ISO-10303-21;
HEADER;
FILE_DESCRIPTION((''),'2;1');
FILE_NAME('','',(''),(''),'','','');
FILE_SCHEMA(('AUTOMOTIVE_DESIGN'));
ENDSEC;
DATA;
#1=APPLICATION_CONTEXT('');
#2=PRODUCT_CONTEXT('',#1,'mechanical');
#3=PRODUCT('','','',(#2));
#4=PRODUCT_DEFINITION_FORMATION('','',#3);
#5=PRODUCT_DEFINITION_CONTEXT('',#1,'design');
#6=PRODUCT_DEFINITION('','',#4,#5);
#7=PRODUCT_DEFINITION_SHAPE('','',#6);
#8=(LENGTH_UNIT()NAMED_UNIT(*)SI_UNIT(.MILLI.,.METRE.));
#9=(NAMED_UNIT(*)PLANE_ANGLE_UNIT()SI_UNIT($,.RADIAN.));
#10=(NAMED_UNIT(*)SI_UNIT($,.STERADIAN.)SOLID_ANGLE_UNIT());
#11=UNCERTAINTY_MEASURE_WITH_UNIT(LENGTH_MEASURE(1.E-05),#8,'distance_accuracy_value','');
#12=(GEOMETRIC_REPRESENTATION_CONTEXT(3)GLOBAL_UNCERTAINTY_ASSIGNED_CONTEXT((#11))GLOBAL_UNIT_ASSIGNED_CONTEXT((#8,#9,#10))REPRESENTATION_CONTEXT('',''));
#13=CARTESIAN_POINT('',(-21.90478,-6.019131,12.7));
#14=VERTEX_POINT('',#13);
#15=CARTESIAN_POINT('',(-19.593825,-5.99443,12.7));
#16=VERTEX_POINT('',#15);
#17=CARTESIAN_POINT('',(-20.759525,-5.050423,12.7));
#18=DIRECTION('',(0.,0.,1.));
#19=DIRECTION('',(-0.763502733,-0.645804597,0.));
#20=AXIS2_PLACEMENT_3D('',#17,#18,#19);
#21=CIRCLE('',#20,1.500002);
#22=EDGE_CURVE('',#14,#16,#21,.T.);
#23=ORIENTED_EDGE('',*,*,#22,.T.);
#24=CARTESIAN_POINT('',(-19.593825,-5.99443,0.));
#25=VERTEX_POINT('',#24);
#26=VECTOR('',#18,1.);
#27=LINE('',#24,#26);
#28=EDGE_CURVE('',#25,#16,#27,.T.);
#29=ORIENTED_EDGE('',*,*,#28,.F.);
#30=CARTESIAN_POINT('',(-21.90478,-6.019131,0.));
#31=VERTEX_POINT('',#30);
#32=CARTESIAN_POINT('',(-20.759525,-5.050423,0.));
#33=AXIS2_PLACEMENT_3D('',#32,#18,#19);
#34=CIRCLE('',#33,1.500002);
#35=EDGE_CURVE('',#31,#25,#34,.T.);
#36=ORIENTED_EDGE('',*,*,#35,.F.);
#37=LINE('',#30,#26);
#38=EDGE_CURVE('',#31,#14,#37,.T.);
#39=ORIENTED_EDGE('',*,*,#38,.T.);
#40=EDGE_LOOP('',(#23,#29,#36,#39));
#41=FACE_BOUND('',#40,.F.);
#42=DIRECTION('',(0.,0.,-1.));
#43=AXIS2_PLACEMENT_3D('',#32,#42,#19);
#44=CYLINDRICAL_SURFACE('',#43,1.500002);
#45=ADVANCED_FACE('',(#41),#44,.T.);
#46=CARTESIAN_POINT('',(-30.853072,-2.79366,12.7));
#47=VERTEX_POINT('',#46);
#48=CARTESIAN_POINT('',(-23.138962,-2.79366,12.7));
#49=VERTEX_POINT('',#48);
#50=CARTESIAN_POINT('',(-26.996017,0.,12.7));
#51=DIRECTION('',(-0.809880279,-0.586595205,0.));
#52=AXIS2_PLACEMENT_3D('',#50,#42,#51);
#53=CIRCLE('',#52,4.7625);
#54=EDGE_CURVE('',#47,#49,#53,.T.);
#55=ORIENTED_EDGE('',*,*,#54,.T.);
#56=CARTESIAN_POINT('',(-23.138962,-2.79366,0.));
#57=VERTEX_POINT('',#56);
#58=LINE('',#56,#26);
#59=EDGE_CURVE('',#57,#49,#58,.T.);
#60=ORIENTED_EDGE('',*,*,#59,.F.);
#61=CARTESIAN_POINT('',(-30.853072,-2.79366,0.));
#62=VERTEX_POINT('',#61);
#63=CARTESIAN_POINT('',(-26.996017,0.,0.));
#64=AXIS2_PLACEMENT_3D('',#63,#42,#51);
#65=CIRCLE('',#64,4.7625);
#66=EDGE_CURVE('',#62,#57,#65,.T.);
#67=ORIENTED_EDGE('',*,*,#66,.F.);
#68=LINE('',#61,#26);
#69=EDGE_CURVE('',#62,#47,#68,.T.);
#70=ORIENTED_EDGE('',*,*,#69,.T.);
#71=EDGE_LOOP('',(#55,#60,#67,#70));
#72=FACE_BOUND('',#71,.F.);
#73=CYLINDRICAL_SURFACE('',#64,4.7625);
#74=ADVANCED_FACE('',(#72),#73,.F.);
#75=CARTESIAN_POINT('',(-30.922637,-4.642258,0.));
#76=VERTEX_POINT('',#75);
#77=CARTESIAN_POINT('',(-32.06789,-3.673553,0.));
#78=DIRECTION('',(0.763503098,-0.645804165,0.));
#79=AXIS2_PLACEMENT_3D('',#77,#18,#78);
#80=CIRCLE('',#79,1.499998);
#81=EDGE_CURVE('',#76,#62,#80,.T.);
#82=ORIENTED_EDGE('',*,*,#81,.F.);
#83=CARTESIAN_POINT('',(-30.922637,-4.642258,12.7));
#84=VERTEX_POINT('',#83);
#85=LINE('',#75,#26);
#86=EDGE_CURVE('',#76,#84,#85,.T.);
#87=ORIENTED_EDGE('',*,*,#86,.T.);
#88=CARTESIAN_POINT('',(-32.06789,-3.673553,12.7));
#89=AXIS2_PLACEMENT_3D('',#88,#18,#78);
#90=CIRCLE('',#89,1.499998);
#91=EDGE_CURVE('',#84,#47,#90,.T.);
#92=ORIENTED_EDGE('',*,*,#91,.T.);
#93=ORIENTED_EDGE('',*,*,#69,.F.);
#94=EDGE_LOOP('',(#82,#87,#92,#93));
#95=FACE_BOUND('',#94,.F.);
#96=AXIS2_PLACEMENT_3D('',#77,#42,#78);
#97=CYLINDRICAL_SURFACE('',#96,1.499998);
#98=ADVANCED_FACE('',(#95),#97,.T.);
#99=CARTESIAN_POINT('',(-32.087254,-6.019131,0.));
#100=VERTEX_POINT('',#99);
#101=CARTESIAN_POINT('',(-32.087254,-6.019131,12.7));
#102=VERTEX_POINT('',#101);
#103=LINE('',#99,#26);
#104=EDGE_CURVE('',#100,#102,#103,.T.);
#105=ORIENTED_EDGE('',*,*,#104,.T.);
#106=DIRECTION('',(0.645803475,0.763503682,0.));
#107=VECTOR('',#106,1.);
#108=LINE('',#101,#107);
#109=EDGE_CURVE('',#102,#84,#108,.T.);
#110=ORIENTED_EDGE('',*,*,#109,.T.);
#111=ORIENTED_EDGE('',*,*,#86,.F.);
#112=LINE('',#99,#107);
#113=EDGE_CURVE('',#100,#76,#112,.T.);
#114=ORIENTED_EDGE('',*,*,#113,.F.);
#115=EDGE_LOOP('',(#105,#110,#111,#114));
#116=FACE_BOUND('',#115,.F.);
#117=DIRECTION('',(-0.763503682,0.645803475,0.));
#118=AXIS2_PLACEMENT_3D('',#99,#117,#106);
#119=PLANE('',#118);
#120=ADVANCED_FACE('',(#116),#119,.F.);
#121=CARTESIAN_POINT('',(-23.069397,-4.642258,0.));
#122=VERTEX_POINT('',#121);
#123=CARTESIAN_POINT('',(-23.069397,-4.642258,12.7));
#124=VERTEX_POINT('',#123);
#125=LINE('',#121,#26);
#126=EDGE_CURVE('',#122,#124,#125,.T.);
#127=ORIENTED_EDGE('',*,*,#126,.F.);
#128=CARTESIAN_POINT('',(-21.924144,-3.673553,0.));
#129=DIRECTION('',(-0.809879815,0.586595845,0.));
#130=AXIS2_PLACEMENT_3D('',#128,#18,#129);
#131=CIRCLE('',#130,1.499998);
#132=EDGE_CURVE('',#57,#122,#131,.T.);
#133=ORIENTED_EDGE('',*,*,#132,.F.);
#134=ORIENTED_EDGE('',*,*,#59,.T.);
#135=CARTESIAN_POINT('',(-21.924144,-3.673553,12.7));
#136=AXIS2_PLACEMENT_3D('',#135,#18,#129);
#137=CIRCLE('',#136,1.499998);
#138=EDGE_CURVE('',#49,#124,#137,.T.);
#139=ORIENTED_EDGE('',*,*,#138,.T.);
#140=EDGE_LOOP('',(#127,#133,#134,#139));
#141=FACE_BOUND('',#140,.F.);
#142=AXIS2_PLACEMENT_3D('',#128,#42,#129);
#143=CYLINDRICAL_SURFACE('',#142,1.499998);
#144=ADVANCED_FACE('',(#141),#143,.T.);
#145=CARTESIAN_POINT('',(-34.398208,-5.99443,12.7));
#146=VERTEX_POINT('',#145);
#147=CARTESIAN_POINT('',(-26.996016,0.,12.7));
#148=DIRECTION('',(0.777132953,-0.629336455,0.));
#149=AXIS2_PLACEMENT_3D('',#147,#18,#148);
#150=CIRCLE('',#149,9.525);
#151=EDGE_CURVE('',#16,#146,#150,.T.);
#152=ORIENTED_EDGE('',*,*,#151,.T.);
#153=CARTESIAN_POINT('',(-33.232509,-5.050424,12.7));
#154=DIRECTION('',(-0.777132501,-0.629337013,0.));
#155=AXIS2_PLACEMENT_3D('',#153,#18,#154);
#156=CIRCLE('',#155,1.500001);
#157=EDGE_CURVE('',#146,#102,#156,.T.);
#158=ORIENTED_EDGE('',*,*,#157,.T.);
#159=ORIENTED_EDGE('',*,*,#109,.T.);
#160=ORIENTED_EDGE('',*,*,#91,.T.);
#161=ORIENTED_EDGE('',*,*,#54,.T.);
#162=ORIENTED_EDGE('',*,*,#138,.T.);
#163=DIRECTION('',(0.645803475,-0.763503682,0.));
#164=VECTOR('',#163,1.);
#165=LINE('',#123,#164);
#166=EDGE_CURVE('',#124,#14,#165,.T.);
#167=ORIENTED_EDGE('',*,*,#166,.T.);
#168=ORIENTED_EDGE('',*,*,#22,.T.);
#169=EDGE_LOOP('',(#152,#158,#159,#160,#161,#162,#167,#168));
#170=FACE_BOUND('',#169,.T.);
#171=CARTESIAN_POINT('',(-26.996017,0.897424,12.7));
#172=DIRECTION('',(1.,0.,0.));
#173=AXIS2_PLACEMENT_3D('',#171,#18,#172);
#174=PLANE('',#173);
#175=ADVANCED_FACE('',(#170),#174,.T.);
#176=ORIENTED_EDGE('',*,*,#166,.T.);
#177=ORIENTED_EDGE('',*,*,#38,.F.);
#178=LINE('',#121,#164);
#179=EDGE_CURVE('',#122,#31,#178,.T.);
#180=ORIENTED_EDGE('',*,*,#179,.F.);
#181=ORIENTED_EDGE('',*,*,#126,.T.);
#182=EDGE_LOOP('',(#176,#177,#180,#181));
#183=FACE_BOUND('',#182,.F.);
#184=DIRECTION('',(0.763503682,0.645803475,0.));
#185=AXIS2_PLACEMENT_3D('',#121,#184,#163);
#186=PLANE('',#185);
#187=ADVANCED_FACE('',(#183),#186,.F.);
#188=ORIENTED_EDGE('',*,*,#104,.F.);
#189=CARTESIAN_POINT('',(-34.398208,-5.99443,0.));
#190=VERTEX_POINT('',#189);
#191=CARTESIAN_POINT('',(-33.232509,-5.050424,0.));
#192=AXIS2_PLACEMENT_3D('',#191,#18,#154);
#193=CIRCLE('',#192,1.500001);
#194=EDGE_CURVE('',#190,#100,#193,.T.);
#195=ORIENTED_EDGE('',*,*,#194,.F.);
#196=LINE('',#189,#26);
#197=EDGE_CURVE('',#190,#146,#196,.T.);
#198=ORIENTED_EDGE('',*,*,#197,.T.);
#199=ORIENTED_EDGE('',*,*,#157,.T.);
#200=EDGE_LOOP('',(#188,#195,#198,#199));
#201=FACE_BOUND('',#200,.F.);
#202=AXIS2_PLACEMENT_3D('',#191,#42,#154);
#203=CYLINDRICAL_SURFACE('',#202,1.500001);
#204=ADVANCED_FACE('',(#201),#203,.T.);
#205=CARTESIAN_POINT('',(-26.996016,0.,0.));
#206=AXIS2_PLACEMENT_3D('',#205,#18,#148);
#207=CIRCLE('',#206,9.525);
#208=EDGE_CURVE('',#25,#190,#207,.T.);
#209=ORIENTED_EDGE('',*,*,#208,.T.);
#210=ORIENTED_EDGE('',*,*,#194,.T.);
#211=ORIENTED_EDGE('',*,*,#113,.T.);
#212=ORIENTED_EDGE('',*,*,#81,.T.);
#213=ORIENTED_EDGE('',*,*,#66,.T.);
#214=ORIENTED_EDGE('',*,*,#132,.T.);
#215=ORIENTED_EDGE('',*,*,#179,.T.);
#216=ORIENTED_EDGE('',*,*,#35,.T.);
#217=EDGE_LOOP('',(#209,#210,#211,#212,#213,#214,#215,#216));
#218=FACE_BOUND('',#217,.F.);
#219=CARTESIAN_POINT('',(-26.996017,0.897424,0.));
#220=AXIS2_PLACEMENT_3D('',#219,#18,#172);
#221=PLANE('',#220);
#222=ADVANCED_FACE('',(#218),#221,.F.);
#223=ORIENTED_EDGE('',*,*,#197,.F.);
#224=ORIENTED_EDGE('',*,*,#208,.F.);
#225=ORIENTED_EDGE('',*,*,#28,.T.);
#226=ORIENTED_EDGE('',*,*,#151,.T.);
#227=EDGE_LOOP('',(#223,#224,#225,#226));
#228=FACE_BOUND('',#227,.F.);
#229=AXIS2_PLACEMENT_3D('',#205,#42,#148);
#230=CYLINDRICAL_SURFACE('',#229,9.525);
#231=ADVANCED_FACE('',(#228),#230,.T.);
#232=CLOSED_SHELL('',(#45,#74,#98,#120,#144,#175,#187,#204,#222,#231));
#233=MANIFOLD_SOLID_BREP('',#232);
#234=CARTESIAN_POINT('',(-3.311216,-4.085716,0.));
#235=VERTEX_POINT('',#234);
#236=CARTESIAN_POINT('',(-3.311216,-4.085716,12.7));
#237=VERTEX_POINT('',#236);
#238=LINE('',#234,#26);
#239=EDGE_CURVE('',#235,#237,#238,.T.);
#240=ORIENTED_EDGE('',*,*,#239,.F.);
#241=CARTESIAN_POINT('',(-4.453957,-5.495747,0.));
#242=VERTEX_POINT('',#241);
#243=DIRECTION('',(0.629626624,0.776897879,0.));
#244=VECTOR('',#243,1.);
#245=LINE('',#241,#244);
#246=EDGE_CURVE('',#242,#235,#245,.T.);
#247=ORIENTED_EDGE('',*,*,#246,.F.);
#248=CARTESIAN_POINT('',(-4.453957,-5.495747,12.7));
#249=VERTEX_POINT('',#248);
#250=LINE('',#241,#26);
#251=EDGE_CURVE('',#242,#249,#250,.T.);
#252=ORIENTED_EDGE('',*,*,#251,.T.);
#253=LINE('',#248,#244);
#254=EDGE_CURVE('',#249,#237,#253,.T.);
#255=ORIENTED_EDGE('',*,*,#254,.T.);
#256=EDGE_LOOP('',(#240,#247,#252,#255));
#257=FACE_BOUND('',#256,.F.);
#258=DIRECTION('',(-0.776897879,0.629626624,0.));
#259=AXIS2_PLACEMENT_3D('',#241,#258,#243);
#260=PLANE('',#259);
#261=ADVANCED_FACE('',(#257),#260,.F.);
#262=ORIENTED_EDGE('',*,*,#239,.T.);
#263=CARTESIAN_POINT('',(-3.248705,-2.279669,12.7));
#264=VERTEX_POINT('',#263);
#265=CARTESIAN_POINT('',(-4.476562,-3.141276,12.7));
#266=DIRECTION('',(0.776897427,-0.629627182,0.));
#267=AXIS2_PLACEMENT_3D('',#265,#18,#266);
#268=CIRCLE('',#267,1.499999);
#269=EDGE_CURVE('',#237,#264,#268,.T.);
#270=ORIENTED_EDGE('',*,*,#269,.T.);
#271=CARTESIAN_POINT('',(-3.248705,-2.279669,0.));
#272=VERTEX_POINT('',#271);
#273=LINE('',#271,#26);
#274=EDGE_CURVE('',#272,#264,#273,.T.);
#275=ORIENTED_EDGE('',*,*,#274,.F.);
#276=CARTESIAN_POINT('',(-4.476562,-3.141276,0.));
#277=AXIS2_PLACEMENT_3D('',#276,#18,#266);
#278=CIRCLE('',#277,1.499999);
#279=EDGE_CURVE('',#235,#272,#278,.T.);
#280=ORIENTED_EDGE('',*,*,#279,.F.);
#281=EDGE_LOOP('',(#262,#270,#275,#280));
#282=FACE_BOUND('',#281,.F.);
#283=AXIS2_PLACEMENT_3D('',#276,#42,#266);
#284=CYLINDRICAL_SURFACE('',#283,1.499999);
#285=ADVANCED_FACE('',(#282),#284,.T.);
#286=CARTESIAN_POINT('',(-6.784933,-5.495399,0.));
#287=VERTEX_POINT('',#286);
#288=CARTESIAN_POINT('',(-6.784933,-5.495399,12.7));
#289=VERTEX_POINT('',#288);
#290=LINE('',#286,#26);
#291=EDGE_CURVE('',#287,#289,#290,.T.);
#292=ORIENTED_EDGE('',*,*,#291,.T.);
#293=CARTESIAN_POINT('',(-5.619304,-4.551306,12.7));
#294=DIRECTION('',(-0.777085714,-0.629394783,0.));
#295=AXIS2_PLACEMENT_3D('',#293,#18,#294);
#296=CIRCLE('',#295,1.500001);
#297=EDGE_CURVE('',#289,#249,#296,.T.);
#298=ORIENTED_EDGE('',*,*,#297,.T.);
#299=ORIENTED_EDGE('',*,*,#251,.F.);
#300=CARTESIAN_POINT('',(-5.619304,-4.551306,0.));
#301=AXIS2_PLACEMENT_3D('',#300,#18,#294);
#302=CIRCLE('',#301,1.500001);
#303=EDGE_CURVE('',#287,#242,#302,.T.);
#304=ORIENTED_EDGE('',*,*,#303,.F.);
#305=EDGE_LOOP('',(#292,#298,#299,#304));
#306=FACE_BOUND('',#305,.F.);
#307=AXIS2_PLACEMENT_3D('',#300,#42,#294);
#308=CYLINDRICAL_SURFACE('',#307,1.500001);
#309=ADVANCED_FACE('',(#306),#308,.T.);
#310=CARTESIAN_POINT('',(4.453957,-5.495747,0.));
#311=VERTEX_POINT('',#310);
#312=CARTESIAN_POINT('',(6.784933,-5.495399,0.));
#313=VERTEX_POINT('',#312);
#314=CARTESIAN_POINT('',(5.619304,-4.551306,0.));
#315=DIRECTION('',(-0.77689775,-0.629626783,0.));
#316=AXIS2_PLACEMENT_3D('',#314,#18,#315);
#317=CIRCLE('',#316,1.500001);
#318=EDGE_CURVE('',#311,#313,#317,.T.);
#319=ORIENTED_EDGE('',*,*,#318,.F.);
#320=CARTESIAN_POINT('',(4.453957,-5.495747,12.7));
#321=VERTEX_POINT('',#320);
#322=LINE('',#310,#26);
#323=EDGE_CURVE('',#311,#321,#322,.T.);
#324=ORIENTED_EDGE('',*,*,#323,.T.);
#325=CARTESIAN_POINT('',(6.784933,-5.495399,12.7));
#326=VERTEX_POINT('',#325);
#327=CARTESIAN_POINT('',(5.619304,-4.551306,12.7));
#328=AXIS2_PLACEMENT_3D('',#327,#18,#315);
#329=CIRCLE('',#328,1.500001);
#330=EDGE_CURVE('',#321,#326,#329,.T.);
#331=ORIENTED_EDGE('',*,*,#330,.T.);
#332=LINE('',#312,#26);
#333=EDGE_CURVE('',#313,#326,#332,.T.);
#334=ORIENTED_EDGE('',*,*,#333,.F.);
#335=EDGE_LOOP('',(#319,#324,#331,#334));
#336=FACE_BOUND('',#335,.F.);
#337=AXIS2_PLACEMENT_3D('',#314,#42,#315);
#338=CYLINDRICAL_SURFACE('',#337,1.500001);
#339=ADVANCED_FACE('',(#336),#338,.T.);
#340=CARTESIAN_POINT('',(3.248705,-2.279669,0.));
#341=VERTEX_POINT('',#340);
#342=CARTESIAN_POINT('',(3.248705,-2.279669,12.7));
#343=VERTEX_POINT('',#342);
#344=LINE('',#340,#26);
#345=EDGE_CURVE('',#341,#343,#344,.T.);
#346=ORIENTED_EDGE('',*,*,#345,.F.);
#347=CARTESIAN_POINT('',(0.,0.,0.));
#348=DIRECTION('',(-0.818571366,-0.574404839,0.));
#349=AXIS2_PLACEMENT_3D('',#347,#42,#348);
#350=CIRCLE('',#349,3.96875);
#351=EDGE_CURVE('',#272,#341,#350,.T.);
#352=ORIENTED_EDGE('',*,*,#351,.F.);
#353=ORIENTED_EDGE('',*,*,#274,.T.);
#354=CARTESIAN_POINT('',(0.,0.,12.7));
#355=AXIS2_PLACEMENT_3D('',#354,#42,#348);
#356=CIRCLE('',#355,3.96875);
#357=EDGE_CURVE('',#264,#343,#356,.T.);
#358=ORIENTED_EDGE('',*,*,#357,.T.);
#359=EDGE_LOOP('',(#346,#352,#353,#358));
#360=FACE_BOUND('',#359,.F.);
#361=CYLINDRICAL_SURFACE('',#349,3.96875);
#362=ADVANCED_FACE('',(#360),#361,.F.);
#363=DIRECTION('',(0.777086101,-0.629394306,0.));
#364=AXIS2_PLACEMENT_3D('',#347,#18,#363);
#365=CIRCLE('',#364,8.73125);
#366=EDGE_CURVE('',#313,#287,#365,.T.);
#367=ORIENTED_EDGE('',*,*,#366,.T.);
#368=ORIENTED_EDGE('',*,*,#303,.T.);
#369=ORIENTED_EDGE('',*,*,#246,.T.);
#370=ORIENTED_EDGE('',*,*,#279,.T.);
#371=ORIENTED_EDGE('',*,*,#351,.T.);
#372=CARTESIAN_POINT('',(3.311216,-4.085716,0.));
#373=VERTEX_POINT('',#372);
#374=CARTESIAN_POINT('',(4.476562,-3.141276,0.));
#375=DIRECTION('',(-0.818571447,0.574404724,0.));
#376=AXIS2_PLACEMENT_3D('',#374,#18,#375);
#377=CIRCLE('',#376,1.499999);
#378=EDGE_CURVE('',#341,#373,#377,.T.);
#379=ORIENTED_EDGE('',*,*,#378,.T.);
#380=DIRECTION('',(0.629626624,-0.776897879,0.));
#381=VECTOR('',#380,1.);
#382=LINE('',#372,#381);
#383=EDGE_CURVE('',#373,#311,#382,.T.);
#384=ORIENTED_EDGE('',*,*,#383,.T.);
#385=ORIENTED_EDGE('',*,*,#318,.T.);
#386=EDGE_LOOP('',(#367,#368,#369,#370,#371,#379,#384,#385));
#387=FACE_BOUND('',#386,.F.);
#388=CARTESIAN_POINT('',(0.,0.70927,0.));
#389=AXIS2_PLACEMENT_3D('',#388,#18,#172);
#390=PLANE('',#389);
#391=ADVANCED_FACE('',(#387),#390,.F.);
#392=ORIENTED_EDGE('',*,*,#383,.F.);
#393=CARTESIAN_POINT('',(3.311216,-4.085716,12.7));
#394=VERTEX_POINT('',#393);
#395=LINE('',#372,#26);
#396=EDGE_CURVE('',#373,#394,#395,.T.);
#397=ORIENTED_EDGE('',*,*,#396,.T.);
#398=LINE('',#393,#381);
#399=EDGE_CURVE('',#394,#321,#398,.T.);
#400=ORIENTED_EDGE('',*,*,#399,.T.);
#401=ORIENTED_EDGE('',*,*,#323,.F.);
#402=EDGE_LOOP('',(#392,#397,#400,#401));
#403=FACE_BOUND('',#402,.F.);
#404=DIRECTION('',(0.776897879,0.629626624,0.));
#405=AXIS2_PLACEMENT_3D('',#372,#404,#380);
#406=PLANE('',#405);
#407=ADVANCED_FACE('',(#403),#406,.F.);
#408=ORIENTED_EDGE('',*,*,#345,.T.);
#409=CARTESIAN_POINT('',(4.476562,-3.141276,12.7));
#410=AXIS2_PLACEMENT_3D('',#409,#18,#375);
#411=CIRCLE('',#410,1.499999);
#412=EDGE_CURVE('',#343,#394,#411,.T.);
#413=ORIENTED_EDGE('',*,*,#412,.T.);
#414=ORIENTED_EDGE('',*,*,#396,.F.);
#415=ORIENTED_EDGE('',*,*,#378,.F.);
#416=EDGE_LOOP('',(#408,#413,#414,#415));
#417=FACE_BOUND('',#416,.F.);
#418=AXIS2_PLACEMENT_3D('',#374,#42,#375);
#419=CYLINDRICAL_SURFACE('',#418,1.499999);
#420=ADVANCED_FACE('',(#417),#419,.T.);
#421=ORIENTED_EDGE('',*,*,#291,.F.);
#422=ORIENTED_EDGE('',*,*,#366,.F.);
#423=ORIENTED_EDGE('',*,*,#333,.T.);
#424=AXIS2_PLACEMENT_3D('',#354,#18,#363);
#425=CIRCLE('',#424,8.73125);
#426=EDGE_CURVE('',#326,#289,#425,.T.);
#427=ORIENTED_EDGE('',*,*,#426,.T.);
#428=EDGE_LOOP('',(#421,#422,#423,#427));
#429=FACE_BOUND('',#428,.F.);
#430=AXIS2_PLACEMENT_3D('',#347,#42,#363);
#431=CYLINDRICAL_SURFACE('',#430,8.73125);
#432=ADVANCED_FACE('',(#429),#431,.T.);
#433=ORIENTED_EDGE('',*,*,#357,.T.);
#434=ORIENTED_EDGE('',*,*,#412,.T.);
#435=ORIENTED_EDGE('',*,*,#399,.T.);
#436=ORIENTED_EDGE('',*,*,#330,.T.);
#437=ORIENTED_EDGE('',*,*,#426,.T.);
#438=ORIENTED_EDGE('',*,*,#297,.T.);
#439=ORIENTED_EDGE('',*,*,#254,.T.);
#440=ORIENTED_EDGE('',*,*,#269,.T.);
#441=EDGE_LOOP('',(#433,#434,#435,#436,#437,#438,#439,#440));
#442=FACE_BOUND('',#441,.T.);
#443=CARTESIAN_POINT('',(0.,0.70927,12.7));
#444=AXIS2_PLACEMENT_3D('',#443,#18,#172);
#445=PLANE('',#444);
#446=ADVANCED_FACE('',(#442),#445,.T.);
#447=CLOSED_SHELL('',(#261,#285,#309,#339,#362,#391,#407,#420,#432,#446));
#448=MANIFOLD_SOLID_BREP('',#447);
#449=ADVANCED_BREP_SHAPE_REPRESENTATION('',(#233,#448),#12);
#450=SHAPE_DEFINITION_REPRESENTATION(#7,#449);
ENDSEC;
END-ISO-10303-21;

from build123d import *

# Parameters (mm, degrees)
F1_DEPTH = 12.7


with BuildPart() as f1:
    # F0 (on Top) → F1 (new body)
    with BuildSketch(Plane.XY):
        with BuildLine():
            ThreePointArc((-21.90478, -6.019131), (-20.743493, -6.550339), (-19.593825, -5.99443))
            ThreePointArc((-19.593825, -5.99443), (-26.996017, 9.525), (-34.398208, -5.99443))
            ThreePointArc((-34.398208, -5.99443), (-33.248541, -6.550339), (-32.087254, -6.019131))
            Line((-32.087254, -6.019131), (-30.922637, -4.642258))
            ThreePointArc((-30.922637, -4.642258), (-30.568953, -3.72996), (-30.853072, -2.79366))
            ThreePointArc((-30.853072, -2.79366), (-26.996017, 4.7625), (-23.138962, -2.79366))
            ThreePointArc((-23.138962, -2.79366), (-23.423081, -3.72996), (-23.069397, -4.642258))
            Line((-23.069397, -4.642258), (-21.90478, -6.019131))
        make_face()
        with BuildLine():
            ThreePointArc((6.784933, -5.495399), (0, 8.73125), (-6.784933, -5.495399))
            ThreePointArc((-6.784933, -5.495399), (-5.619529, -6.051307), (-4.453957, -5.495747))
            Line((-4.453957, -5.495747), (-3.311216, -4.085716))
            ThreePointArc((-3.311216, -4.085716), (-2.97746, -3.193163), (-3.248705, -2.279669))
            ThreePointArc((-3.248705, -2.279669), (0, 3.96875), (3.248705, -2.279669))
            ThreePointArc((3.248705, -2.279669), (2.97746, -3.193163), (3.311216, -4.085716))
            Line((3.311216, -4.085716), (4.453957, -5.495747))
            ThreePointArc((4.453957, -5.495747), (5.619529, -6.051307), (6.784933, -5.495399))
        make_face()
    extrude(amount=F1_DEPTH)


solid = f1.part
